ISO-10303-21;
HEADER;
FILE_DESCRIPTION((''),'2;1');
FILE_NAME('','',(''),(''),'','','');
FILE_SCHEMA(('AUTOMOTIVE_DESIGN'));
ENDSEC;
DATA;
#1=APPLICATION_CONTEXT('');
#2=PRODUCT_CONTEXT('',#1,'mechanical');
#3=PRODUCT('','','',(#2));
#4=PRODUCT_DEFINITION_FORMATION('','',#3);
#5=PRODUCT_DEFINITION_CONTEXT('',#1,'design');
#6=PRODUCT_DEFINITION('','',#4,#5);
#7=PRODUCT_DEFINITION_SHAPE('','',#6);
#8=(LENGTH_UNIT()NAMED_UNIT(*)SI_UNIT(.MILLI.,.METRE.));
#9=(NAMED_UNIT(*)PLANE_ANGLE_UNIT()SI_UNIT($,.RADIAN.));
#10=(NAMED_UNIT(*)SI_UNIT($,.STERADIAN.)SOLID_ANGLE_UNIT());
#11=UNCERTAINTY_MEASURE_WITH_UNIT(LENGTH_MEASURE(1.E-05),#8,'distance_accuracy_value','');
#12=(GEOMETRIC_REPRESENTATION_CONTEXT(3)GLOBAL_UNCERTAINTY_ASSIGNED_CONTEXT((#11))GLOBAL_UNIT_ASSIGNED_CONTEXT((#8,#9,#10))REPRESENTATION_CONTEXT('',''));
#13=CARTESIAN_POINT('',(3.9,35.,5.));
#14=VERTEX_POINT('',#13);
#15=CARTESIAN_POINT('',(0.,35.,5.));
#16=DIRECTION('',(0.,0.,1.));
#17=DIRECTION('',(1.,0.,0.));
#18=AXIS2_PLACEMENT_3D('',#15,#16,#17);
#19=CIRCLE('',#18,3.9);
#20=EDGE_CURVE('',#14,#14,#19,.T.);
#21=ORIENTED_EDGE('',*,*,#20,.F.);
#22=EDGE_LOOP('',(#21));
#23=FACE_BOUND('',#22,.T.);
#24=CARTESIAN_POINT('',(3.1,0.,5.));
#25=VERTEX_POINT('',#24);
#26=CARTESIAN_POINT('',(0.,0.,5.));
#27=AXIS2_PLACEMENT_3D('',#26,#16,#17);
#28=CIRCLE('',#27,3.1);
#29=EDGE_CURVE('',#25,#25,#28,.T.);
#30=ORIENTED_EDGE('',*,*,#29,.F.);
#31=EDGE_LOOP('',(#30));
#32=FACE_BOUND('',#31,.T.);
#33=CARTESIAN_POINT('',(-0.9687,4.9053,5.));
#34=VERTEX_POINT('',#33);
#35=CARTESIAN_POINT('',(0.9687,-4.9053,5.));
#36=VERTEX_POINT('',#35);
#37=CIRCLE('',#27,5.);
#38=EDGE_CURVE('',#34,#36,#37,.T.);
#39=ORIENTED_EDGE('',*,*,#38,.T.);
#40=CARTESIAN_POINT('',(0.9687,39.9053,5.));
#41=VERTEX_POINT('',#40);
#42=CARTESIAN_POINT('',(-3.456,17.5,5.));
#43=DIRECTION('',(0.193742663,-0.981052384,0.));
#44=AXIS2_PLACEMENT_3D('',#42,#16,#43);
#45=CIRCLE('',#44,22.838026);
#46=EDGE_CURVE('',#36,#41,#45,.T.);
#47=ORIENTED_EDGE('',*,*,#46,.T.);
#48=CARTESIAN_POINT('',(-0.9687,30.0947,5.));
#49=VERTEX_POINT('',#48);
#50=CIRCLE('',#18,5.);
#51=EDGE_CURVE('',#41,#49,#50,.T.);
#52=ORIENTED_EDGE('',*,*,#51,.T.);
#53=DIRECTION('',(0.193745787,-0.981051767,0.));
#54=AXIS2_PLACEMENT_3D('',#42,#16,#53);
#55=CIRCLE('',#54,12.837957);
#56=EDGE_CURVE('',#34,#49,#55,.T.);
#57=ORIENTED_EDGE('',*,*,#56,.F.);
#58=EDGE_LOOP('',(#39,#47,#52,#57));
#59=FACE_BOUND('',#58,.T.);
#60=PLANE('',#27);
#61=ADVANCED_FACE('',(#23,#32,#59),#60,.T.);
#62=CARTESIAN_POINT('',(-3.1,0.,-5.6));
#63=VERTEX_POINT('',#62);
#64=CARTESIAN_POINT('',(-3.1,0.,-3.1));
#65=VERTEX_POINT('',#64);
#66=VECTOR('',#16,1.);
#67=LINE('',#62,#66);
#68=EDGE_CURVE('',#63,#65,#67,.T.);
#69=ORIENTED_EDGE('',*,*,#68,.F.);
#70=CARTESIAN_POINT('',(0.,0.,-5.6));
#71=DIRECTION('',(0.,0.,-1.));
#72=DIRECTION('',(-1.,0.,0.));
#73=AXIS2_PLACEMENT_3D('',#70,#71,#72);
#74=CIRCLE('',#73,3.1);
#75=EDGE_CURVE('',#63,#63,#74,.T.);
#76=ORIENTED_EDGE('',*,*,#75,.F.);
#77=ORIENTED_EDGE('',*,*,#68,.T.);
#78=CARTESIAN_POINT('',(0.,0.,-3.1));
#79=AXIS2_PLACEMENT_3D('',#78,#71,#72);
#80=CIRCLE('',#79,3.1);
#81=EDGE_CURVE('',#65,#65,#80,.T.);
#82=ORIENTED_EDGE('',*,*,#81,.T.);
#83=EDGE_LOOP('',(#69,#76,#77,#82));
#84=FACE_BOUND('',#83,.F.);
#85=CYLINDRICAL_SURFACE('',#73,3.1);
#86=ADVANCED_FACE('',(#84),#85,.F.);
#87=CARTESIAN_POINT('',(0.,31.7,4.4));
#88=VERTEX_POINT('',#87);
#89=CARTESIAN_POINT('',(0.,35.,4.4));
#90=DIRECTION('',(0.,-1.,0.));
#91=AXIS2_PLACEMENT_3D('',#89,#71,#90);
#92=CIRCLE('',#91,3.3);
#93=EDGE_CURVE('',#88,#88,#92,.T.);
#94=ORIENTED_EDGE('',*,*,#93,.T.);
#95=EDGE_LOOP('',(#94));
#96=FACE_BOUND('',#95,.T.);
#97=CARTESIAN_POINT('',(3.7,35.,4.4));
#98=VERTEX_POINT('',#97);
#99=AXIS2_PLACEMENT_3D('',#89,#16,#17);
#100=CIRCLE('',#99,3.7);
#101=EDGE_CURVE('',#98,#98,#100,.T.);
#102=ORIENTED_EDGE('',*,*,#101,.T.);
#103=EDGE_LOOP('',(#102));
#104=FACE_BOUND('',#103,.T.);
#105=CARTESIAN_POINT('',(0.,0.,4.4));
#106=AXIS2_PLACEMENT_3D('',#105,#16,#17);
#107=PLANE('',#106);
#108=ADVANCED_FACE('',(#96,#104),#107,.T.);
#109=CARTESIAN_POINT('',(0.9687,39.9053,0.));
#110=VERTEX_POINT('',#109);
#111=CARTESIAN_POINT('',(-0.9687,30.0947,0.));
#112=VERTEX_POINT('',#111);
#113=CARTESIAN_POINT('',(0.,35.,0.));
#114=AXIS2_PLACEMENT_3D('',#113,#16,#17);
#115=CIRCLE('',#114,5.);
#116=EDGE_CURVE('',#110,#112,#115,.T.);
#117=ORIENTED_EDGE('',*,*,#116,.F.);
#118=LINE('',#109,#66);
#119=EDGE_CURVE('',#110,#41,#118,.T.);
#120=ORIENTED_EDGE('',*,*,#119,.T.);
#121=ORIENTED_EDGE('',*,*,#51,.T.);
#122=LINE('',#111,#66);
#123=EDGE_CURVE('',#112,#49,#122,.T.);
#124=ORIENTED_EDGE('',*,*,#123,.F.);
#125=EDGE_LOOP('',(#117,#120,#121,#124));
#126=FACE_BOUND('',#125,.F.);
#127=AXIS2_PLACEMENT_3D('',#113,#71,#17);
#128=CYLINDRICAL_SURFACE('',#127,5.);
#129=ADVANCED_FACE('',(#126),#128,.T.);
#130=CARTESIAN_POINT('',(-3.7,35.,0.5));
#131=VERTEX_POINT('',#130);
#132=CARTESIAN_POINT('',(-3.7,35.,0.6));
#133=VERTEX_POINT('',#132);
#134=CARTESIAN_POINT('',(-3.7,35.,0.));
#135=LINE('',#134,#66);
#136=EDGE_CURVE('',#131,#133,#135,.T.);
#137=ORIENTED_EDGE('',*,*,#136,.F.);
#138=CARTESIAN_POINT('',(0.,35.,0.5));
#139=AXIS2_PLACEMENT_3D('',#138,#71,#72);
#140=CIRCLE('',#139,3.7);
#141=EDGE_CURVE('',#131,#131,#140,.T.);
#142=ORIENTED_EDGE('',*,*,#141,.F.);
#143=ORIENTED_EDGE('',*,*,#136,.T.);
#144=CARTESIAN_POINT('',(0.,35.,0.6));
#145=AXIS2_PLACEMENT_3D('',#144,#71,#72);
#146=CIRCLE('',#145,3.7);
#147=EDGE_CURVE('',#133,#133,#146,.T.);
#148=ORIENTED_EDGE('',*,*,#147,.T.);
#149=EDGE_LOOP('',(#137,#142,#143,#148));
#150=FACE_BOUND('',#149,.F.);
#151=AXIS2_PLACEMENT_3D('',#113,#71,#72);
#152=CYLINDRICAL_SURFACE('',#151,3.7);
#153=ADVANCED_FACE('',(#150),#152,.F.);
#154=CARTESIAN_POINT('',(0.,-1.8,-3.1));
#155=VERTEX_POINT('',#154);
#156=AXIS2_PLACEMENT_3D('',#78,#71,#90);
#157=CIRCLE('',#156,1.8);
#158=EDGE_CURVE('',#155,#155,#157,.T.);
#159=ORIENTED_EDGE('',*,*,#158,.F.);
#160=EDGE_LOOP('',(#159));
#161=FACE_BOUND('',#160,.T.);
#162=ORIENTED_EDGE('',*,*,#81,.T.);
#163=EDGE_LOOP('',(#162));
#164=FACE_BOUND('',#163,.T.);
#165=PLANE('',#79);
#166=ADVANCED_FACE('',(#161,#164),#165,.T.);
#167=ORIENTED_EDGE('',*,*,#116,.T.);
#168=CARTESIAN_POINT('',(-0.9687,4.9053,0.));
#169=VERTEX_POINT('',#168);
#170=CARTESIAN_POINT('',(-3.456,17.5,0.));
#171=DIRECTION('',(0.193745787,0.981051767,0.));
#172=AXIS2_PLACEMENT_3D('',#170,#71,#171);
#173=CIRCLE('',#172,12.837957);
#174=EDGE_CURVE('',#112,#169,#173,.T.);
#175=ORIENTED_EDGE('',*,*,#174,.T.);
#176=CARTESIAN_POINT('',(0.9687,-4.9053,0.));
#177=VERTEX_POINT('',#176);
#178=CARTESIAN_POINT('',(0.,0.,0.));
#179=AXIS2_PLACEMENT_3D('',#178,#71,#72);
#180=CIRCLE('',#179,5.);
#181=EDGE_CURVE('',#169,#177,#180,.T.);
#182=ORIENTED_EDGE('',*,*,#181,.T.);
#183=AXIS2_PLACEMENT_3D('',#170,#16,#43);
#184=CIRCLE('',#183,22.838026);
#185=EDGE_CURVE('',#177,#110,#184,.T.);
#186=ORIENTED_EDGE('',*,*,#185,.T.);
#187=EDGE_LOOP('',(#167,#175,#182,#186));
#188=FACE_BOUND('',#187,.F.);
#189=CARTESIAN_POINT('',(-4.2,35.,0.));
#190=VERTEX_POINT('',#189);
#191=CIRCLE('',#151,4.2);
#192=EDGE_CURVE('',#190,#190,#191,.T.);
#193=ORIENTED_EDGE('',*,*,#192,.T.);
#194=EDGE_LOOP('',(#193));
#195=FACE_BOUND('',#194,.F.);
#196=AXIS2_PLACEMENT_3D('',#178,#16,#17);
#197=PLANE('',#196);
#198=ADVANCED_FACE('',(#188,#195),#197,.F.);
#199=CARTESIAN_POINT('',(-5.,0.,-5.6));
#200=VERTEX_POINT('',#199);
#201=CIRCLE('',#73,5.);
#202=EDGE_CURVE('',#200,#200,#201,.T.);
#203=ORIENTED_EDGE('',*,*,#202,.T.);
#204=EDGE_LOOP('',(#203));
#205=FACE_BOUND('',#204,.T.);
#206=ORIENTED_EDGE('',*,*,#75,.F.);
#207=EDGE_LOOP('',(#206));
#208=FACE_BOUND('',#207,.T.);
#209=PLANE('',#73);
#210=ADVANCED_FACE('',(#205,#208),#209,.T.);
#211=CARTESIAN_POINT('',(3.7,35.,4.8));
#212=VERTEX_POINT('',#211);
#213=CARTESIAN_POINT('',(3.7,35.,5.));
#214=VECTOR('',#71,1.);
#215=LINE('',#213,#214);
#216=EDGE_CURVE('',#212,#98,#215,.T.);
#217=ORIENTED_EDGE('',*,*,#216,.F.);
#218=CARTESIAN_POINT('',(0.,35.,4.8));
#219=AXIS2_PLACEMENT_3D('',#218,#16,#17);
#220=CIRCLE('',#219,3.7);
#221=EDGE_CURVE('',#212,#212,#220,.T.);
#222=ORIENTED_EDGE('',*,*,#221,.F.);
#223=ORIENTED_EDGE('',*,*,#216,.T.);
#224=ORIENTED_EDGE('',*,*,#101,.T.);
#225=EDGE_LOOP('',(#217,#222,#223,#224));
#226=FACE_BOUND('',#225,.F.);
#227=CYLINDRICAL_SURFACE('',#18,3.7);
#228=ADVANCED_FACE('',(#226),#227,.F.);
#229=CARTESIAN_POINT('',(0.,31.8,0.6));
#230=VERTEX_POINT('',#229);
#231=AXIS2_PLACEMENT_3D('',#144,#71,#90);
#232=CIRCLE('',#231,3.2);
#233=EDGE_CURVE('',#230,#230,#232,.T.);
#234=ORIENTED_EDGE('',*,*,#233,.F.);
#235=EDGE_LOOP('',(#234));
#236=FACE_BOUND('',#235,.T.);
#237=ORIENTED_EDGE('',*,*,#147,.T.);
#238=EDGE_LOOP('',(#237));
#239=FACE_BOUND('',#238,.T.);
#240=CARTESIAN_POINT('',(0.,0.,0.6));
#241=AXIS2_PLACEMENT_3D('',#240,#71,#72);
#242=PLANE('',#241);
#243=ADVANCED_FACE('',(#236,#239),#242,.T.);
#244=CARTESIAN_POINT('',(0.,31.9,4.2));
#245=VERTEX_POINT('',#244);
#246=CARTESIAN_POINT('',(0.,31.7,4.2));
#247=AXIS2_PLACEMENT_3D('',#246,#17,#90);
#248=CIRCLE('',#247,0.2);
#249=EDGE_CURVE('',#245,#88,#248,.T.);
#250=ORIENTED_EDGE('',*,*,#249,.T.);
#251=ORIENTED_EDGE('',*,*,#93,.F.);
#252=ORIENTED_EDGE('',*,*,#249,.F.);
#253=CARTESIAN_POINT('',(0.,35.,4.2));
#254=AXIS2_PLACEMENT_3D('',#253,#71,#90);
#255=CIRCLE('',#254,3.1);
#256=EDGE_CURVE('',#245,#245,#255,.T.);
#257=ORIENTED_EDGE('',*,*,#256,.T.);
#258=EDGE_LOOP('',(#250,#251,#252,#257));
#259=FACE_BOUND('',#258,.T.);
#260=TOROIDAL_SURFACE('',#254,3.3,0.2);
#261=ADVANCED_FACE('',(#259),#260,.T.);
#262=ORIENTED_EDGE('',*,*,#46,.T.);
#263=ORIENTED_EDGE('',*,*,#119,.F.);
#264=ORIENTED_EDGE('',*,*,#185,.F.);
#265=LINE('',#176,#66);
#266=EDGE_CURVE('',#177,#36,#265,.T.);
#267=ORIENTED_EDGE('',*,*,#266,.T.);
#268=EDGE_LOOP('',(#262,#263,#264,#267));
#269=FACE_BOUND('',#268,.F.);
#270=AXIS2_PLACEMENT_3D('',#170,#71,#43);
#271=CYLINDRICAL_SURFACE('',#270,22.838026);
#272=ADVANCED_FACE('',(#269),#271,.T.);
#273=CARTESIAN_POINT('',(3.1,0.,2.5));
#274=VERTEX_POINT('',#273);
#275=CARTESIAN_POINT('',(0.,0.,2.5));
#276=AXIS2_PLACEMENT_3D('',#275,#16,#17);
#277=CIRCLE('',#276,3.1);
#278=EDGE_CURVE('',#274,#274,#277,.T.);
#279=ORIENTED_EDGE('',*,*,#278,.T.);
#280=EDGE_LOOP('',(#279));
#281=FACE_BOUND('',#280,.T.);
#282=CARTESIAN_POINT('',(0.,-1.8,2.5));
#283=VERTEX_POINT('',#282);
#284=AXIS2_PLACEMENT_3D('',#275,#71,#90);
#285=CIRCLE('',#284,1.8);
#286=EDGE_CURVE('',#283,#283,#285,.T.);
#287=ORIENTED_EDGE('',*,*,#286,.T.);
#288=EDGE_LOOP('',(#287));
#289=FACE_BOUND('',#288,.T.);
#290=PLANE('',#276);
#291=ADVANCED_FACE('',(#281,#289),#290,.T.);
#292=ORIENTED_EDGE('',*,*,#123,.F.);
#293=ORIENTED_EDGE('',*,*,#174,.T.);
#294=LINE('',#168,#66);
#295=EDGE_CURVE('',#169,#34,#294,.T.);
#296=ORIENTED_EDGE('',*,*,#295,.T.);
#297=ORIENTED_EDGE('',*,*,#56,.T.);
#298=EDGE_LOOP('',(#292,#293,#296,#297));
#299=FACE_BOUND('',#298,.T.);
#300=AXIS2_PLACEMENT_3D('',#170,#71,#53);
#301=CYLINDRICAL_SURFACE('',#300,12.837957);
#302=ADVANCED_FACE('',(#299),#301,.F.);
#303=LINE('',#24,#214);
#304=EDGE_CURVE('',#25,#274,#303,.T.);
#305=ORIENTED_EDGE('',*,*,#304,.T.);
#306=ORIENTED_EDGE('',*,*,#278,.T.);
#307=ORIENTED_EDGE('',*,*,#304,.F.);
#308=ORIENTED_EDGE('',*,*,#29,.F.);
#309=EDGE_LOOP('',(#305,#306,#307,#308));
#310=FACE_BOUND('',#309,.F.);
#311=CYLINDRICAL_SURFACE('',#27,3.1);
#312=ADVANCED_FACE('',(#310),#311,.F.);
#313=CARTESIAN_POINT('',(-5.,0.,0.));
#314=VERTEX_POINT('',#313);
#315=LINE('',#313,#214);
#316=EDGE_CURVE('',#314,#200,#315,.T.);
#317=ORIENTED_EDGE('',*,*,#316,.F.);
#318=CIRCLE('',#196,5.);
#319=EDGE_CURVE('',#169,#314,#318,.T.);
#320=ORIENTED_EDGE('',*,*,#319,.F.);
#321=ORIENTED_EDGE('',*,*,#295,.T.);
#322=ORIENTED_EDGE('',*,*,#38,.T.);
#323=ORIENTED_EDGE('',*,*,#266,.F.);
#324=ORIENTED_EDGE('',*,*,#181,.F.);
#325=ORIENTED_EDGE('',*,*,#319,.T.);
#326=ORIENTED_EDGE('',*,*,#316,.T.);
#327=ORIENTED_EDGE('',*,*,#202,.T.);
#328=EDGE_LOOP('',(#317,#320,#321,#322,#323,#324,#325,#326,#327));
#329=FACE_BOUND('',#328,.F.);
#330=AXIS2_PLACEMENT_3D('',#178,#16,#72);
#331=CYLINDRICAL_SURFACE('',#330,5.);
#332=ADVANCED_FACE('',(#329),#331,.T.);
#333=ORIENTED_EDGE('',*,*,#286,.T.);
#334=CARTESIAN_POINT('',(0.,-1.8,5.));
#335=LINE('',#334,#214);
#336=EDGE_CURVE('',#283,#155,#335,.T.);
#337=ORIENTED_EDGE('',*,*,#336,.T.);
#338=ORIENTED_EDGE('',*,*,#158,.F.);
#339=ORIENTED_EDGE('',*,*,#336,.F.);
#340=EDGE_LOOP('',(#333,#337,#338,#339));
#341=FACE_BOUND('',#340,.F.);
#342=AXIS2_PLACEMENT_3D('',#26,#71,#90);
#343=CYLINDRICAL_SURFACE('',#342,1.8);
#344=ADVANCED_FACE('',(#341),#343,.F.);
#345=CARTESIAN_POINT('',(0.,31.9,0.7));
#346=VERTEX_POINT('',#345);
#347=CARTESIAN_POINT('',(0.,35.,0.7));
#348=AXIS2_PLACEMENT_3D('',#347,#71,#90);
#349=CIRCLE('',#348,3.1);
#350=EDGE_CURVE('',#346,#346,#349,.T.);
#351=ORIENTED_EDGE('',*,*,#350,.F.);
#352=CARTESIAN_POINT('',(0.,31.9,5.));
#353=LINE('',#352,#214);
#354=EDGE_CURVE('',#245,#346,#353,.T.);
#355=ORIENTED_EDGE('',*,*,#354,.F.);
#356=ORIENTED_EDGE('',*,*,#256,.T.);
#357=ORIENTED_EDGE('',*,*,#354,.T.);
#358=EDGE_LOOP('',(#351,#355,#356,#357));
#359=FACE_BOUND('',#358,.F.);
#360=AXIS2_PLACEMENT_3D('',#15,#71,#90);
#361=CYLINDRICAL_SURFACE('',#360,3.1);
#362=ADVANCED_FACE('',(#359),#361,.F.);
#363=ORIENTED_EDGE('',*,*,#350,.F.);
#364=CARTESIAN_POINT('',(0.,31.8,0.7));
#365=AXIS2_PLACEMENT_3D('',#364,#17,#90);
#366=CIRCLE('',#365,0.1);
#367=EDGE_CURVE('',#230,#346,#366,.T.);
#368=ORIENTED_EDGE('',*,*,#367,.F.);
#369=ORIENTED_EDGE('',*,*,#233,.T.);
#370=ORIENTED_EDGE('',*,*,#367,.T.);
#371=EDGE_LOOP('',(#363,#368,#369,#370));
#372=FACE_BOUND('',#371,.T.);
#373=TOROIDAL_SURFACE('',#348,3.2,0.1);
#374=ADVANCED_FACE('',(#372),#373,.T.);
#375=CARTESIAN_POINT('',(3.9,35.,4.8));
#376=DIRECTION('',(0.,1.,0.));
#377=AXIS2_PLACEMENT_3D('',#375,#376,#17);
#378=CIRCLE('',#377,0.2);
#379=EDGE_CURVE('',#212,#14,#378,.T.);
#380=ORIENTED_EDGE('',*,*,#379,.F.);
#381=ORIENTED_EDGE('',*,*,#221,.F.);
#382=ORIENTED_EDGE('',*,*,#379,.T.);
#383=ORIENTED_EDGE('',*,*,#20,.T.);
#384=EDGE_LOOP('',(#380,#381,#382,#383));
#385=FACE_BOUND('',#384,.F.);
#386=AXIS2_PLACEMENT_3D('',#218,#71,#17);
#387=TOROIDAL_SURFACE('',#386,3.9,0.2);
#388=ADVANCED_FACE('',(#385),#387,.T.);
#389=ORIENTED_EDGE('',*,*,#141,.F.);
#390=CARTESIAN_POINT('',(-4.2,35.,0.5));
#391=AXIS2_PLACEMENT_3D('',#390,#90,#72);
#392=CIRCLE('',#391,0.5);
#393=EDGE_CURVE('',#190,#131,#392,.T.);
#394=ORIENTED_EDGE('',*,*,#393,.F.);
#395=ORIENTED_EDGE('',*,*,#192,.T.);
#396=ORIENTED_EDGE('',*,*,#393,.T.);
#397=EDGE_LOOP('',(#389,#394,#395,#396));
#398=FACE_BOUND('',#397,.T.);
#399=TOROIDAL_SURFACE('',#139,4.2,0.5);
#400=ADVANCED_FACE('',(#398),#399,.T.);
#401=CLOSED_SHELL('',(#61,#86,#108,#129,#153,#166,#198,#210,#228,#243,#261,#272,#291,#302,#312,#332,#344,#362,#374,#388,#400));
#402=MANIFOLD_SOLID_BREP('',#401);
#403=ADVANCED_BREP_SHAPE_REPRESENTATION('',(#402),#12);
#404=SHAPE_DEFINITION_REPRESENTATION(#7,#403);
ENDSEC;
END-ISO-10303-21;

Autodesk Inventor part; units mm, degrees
ref_plane "YZ Plane" through (0, 0, 0) normal (1, 0, 0) x (0, 1, 0)
ref_plane "XZ Plane" through (0, 0, 0) normal (0, 1, 0) x (-1, 0, 0)
ref_plane "XY Plane" through (0, 0, 0) normal (0, 0, 1) x (1, 0, 0)
sketch "スケッチ1" plane through (0, 0, 0) normal (0, 0, 1) x (1, 0, 0)
  circle A0 centre (0, 0) radius 5
  circle A1 centre (0, 35) radius 5
  line L0 (0, 35) -> (0, 0)
  arc A2 (0.9687, -4.9053) -> (0.9687, 39.9053) centre (-3.456, 17.5) ccw
  arc A3 (-0.9687, 4.9053) -> (-0.9687, 30.0947) centre (-3.456, 17.5) ccw
  point P0 (0, 30)
  point P1 (0, 29.8641)
  point P2 (0, 5.1359)
  point P3 (0, 5)
  dimension "d0" = 10
  dimension "d1" = 10
  dimension "d2" = 35
  dimension "d3" = 22.838
  dimension "d4" = 12.838
extrude "押し出し1" add sketch "スケッチ1" along normal blind 5 contours A0 | A3 L0 A0 | A0 L0 A3 A1 A2 | A1 | A3 A1 L0
sketch "スケッチ2" plane through (0, 0, 0) normal (0, 0, -1) x (-1, 0, 0)
  circle A0 centre (0, 0) radius 5
extrude "押し出し2" add sketch "スケッチ2" along normal blind 5.6
sketch "スケッチ3" plane through (0, 0, -5.6) normal (0, 0, -1) x (-1, 0, 0)
  circle A0 centre (0, 0) radius 3.1
  dimension "d9" = 6.2
extrude "押し出し3" cut sketch "スケッチ3" against normal blind 2.5
sketch "スケッチ4" plane through (0, 0, 5) normal (0, 0, 1) x (1, 0, 0)
  circle A0 centre (0, 0) radius 3.1 projected
  arc A1 (0.9687, 39.9053) -> (-0.9687, 30.0947) centre (0, 35) ccw projected
  point P0 (0, 30)
hole "穴1" at (0, 0, 5) at (0, 35, 5) direction (0, 0, -1) diameter 3.6 end through all
sketch "スケッチ5" plane through (0, 0, 0) normal (0, 0, -1) x (-1, 0, 0)
  circle A0 centre (0, 35) radius 1.8 projected
  circle A1 centre (0, 35) radius 3.7
  point P0 (0, 0)
  dimension "d19" = 7.4
extrude "押し出し4" cut sketch "スケッチ5" against normal blind 0.6
sketch "スケッチ7" plane through (0, 0, 5) normal (0, 0, 1) x (1, 0, 0)
  circle A0 centre (0, 35) radius 1.8 projected
  point P0 (0, 0)
hole "穴3" at (0, 35, 5) direction (0, 0, -1) diameter 6.2 end through all
fillet "フィレット2" radius 0.5 1 edges at (3.7, 35, 0)
fillet "フィレット3" radius 0.1 1 edges at (0, 38.1, 0.6)
sketch "スケッチ8" plane through (0, 0, 5) normal (0, 0, 1) x (1, 0, 0)
  circle A0 centre (0, 0) radius 1.8 projected
  circle A1 centre (0, 0) radius 3.1
  dimension "d39" = 6.2
extrude "押し出し5" cut sketch "スケッチ8" against normal blind 2.5
sketch "スケッチ10" plane through (0, 0, 5) normal (0, 0, 1) x (1, 0, 0)
  circle A0 centre (0, 35) radius 3.1 projected
  circle A1 centre (0, 35) radius 3.7
  point P0 (0, 0)
  dimension "d45" = 7.4
extrude "押し出し7" cut sketch "スケッチ10" against normal blind 0.6 contours A0 | A1
fillet "フィレット4" radius 0.2 2 edges at (0, 38.1, 4.4) (-3.7, 35, 5)
properties part number "rotor_arm_ver2" material "アルミニウム 6061"
